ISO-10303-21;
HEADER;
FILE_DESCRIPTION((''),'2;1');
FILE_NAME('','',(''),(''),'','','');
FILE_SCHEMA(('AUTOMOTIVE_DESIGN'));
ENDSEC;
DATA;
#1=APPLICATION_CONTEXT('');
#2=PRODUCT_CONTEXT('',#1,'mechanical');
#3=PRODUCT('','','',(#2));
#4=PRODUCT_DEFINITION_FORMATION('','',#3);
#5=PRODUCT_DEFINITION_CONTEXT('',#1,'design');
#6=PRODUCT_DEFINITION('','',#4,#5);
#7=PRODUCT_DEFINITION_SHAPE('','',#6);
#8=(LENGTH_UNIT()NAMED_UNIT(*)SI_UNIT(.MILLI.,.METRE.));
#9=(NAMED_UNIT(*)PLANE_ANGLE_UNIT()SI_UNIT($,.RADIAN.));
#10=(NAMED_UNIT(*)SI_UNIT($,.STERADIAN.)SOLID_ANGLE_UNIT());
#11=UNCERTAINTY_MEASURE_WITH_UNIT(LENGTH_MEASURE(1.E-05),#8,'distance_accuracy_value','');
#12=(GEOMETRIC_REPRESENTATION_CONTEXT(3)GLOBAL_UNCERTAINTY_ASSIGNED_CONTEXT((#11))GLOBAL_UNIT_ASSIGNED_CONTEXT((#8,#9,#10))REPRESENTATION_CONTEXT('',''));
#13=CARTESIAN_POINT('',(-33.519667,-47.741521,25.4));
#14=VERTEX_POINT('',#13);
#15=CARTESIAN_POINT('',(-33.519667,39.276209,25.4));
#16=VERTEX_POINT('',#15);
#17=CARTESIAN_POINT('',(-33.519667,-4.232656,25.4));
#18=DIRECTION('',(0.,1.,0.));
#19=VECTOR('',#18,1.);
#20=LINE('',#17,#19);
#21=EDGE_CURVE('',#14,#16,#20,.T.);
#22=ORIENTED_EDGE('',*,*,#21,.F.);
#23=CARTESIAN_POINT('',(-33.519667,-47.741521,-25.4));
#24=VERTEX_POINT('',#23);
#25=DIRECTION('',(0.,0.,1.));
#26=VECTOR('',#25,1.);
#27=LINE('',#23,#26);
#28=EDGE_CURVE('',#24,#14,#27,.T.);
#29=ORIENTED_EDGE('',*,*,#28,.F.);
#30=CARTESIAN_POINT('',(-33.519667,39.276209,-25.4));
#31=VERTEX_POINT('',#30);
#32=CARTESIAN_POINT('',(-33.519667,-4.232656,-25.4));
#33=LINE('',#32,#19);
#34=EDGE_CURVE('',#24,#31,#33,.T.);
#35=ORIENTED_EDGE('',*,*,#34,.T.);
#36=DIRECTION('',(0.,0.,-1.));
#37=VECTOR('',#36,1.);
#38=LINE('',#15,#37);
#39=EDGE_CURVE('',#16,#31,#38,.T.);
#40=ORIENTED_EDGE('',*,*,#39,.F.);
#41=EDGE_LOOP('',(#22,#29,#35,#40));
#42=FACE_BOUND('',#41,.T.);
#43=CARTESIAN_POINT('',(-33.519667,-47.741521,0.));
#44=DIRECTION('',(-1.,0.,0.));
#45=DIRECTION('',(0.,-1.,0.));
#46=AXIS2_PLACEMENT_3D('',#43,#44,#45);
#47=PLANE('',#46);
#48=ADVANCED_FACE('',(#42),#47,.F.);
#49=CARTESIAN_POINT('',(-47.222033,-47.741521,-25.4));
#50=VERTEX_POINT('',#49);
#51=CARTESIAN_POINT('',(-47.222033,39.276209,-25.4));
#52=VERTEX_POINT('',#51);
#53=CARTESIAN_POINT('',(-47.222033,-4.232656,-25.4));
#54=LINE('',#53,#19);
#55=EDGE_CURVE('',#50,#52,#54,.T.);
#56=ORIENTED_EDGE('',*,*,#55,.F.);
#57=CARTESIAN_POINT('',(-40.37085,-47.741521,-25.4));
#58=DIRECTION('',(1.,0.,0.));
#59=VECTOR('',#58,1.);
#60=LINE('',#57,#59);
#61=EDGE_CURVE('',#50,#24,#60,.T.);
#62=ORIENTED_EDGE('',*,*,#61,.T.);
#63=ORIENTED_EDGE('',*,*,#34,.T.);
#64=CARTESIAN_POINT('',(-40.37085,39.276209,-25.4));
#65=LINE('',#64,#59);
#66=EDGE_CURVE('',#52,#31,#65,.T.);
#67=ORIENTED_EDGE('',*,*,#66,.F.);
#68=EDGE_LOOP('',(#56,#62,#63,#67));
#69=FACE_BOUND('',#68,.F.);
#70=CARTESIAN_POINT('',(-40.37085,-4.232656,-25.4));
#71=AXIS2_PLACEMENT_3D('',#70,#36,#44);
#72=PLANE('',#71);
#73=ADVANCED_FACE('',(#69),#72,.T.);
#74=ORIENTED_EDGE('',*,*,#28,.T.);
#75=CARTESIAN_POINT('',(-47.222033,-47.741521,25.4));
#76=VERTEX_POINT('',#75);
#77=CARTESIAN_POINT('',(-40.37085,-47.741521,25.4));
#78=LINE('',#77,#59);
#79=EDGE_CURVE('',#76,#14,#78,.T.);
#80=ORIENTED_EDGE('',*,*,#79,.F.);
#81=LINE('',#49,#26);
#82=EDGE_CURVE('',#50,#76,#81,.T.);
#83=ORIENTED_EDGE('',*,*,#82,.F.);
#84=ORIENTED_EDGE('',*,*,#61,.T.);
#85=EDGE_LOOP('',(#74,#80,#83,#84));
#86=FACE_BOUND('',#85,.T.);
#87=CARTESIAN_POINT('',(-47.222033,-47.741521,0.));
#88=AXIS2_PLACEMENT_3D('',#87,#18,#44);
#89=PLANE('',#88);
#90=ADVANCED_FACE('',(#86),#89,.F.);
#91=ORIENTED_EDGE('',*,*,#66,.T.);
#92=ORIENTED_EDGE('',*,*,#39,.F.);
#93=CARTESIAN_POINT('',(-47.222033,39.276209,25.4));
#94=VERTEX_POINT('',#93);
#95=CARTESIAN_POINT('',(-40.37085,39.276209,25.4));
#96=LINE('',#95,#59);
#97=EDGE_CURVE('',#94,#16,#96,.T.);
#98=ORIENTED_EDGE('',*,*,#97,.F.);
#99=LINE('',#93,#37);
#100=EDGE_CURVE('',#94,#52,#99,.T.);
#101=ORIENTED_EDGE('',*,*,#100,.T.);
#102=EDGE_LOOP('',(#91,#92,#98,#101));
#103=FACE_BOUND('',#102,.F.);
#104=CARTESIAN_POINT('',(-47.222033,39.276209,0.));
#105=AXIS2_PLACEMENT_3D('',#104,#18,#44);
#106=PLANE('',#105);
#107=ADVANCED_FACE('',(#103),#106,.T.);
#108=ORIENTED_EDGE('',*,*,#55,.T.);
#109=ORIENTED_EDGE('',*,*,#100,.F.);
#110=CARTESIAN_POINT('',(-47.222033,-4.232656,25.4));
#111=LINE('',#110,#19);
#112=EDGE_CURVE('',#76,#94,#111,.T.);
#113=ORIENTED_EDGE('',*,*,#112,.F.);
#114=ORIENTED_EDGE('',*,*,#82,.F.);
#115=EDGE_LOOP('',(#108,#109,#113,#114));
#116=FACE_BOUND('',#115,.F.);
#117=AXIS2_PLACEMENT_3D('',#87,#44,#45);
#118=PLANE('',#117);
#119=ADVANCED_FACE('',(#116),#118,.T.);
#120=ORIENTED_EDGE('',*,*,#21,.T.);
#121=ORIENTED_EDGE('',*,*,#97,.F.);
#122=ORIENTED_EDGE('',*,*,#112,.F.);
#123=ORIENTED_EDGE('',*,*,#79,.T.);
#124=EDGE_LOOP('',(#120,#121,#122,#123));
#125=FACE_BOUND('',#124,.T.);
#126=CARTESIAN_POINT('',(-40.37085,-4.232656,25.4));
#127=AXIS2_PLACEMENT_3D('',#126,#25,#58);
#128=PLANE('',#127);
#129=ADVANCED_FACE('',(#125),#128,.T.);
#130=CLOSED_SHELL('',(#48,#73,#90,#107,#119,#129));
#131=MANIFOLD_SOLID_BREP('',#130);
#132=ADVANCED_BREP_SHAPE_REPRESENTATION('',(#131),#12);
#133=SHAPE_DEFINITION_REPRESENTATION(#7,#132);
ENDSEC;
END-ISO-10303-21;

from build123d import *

# Parameters (mm, degrees)
F0_W     = 13.702366
F0_H     = 87.01773
F1_DEPTH = 25.4


with BuildPart() as f1:
    # F0 (on Top) → F1 (new body)
    with BuildSketch(Plane.XY):
        with Locations((-40.37085, -4.232656)):
            Rectangle(F0_W, F0_H)
    extrude(amount=F1_DEPTH)

    # F2: F1 across plane


with BuildPart() as f1_1:
    add(f1.part)
    add(f1.part.mirror(Plane.XY))


solid = f1_1.part
